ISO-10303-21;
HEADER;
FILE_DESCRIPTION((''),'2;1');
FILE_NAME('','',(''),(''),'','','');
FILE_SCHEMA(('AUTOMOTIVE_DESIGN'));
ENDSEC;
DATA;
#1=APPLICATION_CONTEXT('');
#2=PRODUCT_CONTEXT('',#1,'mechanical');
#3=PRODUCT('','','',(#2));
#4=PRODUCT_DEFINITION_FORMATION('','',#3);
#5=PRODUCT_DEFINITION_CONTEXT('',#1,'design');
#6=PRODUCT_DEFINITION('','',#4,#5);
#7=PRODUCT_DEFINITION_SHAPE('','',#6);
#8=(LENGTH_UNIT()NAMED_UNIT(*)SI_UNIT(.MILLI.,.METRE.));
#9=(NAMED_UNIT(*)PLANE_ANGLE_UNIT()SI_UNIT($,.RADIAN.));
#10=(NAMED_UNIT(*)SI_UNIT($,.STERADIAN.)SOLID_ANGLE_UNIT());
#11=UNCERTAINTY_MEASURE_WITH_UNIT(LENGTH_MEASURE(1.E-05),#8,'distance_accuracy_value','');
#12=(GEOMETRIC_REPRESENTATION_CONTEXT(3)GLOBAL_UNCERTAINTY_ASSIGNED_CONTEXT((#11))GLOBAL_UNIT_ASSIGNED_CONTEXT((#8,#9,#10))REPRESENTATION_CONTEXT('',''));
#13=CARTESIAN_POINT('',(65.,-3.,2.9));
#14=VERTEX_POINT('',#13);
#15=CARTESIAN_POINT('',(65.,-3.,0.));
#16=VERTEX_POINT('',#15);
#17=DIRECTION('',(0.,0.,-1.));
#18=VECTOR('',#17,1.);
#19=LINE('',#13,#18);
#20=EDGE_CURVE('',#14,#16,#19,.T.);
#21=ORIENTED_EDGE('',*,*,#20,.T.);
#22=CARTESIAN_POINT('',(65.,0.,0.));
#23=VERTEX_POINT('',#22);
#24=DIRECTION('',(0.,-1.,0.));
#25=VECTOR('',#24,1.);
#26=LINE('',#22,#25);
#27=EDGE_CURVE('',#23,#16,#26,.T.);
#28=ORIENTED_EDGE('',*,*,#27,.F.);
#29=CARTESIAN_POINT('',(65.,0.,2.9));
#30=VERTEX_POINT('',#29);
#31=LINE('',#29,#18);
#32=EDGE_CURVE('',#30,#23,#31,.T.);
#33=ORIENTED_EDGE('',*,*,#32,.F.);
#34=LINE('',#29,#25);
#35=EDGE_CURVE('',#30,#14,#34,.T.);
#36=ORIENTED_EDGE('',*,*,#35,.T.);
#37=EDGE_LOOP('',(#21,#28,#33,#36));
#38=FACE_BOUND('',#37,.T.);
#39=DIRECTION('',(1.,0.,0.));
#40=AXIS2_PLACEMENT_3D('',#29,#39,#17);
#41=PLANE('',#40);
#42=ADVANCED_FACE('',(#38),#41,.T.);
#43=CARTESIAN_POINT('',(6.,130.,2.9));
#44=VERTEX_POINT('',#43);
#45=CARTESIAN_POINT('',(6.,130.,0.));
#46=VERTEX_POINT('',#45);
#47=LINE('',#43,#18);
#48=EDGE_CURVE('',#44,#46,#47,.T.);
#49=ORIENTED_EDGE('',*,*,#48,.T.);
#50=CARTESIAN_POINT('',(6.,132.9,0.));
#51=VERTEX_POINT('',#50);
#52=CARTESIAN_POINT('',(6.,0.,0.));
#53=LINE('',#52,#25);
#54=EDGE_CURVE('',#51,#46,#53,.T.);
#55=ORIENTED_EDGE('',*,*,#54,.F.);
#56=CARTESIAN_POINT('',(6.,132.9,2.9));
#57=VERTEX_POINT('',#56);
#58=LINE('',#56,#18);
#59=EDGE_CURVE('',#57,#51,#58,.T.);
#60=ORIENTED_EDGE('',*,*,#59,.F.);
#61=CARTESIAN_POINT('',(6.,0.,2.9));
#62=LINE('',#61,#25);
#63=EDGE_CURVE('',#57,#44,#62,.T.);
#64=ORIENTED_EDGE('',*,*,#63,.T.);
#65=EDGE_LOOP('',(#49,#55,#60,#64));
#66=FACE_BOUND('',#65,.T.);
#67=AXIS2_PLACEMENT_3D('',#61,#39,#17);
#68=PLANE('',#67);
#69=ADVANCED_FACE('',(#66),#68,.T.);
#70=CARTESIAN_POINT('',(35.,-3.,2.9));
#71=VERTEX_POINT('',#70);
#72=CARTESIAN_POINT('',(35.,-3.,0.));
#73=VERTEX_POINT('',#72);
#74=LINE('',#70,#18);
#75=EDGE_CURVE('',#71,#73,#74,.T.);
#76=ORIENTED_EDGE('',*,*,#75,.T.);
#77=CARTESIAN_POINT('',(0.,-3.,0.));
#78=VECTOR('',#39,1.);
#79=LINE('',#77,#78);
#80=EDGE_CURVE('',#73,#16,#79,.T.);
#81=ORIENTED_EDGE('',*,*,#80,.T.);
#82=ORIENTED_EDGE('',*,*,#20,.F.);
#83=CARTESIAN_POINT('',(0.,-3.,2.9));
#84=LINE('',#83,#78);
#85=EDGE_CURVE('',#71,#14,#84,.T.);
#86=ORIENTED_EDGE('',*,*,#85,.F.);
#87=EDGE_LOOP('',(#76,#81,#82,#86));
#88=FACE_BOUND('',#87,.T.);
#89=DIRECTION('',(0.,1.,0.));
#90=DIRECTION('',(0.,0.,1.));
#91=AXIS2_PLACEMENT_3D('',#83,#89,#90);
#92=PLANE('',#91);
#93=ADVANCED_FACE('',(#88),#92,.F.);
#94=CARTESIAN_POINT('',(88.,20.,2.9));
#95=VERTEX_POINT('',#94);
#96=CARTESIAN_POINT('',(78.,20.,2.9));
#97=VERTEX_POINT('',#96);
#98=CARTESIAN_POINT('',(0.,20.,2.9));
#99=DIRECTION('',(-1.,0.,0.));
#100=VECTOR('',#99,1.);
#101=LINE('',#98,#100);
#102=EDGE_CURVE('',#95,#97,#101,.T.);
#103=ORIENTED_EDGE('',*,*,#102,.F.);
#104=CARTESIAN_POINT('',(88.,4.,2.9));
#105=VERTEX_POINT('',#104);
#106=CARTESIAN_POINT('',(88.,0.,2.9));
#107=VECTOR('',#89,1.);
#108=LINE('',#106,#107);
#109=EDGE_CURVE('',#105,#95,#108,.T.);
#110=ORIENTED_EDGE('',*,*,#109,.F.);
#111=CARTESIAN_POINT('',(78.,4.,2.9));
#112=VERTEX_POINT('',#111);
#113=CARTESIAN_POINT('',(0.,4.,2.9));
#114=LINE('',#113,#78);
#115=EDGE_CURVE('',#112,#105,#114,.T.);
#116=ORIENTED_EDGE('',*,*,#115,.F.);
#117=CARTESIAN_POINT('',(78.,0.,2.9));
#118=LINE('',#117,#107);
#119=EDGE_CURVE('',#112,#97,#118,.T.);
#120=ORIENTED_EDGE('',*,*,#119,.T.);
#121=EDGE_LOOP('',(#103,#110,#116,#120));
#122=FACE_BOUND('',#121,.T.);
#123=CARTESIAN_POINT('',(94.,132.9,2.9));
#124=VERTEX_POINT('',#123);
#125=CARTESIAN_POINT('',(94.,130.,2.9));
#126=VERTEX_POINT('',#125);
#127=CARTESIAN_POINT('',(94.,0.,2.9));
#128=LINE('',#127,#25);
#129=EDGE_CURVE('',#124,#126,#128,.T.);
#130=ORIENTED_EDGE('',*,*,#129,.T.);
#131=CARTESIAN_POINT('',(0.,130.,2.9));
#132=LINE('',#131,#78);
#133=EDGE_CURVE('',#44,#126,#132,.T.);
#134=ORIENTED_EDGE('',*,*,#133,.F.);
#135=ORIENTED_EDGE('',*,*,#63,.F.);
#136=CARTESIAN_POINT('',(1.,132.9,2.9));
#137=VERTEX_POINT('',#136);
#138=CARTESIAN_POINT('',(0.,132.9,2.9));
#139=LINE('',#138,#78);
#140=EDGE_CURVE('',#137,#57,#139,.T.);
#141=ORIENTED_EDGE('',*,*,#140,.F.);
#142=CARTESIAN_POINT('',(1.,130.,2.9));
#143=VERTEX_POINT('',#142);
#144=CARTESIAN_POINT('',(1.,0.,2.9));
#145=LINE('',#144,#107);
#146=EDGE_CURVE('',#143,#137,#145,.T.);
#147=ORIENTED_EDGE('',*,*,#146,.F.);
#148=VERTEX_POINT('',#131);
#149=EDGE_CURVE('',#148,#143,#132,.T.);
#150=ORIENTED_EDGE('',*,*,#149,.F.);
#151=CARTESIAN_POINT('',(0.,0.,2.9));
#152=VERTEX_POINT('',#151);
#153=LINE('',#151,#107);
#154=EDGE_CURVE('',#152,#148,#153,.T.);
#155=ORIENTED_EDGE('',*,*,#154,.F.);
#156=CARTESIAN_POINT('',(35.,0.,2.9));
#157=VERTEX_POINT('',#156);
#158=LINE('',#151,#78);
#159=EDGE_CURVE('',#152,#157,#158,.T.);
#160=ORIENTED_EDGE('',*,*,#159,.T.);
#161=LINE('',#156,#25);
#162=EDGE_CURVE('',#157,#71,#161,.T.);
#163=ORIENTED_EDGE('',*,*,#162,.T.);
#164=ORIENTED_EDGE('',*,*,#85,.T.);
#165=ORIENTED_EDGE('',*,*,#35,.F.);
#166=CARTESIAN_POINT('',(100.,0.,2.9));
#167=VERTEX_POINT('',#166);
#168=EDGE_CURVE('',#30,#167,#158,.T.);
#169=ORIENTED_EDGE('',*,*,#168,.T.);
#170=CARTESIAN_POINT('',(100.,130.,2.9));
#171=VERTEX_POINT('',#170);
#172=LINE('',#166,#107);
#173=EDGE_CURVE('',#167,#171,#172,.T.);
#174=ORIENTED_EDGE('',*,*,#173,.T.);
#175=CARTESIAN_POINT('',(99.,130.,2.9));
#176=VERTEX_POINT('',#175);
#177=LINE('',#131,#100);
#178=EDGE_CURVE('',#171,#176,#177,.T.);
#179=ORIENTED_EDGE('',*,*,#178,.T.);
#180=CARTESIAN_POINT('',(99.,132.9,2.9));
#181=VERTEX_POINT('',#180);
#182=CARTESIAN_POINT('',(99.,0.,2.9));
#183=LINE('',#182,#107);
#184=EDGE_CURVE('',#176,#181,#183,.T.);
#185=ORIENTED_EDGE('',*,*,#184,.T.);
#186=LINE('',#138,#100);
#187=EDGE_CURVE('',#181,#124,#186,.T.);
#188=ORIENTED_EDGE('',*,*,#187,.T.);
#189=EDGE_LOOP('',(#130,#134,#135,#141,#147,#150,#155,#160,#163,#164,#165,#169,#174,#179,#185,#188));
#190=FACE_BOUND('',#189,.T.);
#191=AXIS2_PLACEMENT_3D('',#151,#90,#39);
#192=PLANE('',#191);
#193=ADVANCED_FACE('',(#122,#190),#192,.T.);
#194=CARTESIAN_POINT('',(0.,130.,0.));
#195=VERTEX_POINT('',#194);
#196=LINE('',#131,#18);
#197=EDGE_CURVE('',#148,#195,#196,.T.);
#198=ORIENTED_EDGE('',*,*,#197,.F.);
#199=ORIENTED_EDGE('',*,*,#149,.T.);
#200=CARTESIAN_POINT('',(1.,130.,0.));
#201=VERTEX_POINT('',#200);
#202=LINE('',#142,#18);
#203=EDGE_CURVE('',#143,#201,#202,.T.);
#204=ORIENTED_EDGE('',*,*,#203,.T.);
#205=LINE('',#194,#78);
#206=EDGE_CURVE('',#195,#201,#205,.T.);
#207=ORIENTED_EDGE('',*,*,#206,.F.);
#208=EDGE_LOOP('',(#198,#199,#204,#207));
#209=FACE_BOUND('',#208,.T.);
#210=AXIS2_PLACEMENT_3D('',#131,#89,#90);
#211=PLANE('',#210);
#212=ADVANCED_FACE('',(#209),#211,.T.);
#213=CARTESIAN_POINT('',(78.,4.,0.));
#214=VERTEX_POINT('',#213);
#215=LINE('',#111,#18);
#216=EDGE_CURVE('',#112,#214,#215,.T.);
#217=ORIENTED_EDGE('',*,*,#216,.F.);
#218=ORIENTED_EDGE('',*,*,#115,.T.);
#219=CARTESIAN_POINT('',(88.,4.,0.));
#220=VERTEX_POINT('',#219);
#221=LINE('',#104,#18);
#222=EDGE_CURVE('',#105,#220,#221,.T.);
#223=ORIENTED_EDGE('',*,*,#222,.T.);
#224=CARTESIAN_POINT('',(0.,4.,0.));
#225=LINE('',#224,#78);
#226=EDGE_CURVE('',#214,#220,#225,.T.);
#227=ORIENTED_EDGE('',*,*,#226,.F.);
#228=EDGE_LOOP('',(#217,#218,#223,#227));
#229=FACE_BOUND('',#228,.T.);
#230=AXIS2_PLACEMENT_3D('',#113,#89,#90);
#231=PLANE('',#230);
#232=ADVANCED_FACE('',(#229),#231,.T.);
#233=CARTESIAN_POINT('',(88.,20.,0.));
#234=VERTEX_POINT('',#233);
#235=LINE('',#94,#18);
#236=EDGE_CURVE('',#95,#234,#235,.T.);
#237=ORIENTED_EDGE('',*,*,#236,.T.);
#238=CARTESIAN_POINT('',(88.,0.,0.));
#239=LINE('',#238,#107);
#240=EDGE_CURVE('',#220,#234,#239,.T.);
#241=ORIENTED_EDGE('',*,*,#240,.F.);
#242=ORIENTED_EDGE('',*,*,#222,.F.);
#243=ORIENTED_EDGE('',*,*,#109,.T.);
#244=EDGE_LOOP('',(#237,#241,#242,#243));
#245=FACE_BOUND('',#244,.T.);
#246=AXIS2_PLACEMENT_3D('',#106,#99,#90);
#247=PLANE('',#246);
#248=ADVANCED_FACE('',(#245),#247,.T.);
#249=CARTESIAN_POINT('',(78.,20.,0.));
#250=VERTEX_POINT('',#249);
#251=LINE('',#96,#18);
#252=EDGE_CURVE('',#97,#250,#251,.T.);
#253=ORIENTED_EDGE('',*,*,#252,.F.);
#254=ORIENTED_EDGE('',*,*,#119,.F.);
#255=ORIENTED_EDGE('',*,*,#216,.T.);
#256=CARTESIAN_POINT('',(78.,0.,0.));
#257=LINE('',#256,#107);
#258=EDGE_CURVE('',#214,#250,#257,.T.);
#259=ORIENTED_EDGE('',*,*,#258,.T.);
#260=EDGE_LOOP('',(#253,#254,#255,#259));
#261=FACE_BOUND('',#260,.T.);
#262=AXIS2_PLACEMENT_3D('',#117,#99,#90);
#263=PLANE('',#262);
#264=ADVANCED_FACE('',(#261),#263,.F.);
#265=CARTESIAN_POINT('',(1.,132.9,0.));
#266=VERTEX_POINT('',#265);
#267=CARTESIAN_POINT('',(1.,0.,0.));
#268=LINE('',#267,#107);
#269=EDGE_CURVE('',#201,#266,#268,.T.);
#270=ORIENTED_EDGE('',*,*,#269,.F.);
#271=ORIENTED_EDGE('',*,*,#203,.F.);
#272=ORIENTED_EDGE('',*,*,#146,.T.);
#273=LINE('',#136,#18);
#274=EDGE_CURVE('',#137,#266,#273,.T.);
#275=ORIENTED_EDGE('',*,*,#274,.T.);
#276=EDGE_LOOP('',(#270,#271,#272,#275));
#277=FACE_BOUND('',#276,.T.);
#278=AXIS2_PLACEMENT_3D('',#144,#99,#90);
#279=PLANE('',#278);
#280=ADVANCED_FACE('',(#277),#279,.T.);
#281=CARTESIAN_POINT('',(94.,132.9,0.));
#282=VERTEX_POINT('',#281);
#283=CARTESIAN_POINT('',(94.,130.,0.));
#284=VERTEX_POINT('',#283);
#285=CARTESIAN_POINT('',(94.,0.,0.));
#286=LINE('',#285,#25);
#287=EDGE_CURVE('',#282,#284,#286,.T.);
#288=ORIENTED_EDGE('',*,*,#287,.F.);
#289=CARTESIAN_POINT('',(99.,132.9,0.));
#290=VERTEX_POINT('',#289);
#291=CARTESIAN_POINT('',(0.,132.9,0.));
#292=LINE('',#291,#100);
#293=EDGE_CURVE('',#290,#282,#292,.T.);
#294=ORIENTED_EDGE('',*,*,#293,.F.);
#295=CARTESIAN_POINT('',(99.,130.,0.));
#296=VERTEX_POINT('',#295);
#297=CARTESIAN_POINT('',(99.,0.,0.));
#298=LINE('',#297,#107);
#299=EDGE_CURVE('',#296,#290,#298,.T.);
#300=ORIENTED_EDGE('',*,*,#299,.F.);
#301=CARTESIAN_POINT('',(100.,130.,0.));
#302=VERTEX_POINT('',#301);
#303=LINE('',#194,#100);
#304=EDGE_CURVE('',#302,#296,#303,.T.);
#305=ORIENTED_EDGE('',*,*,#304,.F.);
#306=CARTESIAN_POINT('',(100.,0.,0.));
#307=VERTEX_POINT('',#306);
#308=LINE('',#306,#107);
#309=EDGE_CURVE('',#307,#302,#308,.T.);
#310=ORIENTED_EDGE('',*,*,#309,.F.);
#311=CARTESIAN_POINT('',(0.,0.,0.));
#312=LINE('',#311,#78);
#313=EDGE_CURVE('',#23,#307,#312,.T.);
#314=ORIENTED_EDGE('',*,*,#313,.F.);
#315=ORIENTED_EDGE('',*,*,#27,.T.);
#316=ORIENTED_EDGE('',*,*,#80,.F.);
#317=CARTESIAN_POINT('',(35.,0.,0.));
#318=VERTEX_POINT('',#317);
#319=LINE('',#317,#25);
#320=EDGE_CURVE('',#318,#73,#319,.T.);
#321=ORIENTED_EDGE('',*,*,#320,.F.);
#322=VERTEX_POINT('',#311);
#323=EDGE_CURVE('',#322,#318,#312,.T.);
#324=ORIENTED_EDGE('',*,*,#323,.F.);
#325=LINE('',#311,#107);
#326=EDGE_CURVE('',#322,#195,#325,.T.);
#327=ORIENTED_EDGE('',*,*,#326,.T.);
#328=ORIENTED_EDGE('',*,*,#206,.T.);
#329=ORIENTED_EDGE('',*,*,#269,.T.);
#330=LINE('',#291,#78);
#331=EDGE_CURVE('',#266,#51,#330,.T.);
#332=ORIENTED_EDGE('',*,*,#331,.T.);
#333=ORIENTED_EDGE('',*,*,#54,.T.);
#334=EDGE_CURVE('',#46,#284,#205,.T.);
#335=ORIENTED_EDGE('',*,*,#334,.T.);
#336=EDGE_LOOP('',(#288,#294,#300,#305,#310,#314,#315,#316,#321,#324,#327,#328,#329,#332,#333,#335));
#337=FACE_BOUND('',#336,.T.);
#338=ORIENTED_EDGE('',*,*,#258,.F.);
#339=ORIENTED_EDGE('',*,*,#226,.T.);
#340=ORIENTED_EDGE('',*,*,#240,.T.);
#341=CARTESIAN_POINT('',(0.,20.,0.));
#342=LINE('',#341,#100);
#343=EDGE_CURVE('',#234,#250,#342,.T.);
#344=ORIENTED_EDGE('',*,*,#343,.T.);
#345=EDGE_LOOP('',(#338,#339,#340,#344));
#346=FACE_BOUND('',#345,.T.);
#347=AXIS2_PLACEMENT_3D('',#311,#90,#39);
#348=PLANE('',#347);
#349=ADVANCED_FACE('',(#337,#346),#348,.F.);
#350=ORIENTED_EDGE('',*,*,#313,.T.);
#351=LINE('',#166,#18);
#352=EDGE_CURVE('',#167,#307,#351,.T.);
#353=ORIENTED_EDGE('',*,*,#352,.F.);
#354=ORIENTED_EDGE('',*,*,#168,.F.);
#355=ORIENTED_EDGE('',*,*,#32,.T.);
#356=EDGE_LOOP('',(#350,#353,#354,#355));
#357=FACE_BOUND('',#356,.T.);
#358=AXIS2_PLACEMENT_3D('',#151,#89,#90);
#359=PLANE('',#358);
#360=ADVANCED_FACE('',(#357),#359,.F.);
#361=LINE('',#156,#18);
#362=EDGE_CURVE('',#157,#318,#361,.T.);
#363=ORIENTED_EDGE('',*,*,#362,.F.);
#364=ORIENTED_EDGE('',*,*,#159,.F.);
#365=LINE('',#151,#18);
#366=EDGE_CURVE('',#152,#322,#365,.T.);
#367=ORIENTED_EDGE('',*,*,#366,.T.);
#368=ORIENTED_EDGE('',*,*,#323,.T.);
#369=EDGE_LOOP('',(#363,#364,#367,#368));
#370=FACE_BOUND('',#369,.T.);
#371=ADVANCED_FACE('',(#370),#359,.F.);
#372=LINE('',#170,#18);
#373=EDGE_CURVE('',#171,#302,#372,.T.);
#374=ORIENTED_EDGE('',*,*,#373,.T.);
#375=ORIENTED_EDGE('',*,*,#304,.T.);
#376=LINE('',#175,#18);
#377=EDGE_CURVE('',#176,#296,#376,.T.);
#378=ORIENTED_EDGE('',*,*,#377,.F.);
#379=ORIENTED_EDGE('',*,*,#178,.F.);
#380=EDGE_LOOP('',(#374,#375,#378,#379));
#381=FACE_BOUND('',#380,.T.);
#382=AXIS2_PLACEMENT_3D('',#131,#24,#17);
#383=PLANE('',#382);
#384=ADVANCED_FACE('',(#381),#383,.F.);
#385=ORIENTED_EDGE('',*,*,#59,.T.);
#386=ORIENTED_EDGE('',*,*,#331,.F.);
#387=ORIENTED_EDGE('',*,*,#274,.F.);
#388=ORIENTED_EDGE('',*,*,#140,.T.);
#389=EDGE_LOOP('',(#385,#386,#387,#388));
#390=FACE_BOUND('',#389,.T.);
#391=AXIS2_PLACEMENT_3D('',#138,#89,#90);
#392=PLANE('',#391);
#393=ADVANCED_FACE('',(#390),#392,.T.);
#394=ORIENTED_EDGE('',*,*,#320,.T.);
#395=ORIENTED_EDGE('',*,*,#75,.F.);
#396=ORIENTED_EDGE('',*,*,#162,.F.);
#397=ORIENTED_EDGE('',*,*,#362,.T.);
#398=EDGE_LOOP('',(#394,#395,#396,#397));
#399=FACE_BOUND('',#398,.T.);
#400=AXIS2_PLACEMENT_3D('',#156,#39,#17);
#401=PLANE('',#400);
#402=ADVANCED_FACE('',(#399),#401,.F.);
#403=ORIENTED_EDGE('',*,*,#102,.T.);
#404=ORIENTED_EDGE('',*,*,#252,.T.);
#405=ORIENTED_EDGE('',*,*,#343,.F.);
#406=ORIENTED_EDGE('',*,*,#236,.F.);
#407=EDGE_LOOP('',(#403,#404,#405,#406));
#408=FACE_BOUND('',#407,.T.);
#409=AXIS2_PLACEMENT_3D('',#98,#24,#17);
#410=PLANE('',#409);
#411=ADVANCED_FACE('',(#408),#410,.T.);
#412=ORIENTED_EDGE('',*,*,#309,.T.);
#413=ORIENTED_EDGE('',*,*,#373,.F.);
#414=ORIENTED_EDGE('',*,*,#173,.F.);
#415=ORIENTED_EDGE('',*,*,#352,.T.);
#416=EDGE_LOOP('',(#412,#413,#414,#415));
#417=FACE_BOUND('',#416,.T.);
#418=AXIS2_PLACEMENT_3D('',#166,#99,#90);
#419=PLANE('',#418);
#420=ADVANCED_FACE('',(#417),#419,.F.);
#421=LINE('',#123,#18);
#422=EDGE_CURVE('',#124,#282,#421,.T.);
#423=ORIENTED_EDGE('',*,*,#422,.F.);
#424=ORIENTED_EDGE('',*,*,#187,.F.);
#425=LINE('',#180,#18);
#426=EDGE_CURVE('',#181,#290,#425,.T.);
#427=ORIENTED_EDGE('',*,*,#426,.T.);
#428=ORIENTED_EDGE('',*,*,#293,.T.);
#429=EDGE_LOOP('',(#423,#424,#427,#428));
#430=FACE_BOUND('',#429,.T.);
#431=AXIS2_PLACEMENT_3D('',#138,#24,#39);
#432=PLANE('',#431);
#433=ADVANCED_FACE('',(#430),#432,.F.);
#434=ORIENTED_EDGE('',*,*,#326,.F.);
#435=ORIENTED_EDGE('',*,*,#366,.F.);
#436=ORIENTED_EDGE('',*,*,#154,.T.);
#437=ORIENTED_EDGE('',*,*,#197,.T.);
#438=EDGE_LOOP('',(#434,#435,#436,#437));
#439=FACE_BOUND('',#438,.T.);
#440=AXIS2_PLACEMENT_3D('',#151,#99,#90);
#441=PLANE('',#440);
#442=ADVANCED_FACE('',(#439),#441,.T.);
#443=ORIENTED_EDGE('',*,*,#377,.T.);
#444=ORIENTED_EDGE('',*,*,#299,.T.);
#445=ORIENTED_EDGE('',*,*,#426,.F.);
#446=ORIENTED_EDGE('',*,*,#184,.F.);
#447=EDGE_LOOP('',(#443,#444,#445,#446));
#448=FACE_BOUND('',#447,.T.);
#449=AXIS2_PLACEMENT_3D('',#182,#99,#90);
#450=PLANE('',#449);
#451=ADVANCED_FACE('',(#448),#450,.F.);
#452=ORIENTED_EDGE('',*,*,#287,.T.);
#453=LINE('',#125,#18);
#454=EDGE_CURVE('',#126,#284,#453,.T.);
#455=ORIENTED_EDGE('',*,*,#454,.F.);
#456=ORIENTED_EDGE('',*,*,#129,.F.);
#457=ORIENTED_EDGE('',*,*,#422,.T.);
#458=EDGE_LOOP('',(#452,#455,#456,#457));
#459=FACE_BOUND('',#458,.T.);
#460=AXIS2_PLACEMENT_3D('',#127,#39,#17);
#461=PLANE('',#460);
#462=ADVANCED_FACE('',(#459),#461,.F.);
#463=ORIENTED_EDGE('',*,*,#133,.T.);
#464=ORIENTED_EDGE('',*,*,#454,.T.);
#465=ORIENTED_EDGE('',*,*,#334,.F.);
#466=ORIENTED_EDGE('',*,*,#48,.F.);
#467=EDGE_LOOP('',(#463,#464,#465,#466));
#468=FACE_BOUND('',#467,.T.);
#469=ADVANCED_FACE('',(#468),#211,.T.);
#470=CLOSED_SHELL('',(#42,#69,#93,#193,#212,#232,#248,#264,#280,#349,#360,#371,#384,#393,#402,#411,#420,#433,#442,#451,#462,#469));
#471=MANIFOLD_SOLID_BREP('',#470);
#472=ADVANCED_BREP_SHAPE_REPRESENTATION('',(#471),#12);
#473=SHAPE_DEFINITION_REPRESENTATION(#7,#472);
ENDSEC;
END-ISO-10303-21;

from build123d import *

# Parameters (mm, degrees)
EXTRUDE_1_DEPTH = 2.9


with BuildPart() as part:
    # 草图1 → 凸台-拉伸1 (new body)
    with BuildSketch(Plane.XY):
        Polygon((65, -3), (65, 0), (100, 0), (100, 130), (99, 130), (99, 132.9), (95, 132.9), (94, 132.9), (94, 130), (6, 130), (6, 132.9), (5, 132.9), (1, 132.9), (1, 130), (0, 130), (0, 0), (35, 0), (35, -3), (50, -3), align=None)
        Polygon((83, 4), (78, 4), (78, 20), (83, 20), (88, 20), (88, 4), align=None, mode=Mode.SUBTRACT)
    extrude(amount=EXTRUDE_1_DEPTH)


solid = part.part
